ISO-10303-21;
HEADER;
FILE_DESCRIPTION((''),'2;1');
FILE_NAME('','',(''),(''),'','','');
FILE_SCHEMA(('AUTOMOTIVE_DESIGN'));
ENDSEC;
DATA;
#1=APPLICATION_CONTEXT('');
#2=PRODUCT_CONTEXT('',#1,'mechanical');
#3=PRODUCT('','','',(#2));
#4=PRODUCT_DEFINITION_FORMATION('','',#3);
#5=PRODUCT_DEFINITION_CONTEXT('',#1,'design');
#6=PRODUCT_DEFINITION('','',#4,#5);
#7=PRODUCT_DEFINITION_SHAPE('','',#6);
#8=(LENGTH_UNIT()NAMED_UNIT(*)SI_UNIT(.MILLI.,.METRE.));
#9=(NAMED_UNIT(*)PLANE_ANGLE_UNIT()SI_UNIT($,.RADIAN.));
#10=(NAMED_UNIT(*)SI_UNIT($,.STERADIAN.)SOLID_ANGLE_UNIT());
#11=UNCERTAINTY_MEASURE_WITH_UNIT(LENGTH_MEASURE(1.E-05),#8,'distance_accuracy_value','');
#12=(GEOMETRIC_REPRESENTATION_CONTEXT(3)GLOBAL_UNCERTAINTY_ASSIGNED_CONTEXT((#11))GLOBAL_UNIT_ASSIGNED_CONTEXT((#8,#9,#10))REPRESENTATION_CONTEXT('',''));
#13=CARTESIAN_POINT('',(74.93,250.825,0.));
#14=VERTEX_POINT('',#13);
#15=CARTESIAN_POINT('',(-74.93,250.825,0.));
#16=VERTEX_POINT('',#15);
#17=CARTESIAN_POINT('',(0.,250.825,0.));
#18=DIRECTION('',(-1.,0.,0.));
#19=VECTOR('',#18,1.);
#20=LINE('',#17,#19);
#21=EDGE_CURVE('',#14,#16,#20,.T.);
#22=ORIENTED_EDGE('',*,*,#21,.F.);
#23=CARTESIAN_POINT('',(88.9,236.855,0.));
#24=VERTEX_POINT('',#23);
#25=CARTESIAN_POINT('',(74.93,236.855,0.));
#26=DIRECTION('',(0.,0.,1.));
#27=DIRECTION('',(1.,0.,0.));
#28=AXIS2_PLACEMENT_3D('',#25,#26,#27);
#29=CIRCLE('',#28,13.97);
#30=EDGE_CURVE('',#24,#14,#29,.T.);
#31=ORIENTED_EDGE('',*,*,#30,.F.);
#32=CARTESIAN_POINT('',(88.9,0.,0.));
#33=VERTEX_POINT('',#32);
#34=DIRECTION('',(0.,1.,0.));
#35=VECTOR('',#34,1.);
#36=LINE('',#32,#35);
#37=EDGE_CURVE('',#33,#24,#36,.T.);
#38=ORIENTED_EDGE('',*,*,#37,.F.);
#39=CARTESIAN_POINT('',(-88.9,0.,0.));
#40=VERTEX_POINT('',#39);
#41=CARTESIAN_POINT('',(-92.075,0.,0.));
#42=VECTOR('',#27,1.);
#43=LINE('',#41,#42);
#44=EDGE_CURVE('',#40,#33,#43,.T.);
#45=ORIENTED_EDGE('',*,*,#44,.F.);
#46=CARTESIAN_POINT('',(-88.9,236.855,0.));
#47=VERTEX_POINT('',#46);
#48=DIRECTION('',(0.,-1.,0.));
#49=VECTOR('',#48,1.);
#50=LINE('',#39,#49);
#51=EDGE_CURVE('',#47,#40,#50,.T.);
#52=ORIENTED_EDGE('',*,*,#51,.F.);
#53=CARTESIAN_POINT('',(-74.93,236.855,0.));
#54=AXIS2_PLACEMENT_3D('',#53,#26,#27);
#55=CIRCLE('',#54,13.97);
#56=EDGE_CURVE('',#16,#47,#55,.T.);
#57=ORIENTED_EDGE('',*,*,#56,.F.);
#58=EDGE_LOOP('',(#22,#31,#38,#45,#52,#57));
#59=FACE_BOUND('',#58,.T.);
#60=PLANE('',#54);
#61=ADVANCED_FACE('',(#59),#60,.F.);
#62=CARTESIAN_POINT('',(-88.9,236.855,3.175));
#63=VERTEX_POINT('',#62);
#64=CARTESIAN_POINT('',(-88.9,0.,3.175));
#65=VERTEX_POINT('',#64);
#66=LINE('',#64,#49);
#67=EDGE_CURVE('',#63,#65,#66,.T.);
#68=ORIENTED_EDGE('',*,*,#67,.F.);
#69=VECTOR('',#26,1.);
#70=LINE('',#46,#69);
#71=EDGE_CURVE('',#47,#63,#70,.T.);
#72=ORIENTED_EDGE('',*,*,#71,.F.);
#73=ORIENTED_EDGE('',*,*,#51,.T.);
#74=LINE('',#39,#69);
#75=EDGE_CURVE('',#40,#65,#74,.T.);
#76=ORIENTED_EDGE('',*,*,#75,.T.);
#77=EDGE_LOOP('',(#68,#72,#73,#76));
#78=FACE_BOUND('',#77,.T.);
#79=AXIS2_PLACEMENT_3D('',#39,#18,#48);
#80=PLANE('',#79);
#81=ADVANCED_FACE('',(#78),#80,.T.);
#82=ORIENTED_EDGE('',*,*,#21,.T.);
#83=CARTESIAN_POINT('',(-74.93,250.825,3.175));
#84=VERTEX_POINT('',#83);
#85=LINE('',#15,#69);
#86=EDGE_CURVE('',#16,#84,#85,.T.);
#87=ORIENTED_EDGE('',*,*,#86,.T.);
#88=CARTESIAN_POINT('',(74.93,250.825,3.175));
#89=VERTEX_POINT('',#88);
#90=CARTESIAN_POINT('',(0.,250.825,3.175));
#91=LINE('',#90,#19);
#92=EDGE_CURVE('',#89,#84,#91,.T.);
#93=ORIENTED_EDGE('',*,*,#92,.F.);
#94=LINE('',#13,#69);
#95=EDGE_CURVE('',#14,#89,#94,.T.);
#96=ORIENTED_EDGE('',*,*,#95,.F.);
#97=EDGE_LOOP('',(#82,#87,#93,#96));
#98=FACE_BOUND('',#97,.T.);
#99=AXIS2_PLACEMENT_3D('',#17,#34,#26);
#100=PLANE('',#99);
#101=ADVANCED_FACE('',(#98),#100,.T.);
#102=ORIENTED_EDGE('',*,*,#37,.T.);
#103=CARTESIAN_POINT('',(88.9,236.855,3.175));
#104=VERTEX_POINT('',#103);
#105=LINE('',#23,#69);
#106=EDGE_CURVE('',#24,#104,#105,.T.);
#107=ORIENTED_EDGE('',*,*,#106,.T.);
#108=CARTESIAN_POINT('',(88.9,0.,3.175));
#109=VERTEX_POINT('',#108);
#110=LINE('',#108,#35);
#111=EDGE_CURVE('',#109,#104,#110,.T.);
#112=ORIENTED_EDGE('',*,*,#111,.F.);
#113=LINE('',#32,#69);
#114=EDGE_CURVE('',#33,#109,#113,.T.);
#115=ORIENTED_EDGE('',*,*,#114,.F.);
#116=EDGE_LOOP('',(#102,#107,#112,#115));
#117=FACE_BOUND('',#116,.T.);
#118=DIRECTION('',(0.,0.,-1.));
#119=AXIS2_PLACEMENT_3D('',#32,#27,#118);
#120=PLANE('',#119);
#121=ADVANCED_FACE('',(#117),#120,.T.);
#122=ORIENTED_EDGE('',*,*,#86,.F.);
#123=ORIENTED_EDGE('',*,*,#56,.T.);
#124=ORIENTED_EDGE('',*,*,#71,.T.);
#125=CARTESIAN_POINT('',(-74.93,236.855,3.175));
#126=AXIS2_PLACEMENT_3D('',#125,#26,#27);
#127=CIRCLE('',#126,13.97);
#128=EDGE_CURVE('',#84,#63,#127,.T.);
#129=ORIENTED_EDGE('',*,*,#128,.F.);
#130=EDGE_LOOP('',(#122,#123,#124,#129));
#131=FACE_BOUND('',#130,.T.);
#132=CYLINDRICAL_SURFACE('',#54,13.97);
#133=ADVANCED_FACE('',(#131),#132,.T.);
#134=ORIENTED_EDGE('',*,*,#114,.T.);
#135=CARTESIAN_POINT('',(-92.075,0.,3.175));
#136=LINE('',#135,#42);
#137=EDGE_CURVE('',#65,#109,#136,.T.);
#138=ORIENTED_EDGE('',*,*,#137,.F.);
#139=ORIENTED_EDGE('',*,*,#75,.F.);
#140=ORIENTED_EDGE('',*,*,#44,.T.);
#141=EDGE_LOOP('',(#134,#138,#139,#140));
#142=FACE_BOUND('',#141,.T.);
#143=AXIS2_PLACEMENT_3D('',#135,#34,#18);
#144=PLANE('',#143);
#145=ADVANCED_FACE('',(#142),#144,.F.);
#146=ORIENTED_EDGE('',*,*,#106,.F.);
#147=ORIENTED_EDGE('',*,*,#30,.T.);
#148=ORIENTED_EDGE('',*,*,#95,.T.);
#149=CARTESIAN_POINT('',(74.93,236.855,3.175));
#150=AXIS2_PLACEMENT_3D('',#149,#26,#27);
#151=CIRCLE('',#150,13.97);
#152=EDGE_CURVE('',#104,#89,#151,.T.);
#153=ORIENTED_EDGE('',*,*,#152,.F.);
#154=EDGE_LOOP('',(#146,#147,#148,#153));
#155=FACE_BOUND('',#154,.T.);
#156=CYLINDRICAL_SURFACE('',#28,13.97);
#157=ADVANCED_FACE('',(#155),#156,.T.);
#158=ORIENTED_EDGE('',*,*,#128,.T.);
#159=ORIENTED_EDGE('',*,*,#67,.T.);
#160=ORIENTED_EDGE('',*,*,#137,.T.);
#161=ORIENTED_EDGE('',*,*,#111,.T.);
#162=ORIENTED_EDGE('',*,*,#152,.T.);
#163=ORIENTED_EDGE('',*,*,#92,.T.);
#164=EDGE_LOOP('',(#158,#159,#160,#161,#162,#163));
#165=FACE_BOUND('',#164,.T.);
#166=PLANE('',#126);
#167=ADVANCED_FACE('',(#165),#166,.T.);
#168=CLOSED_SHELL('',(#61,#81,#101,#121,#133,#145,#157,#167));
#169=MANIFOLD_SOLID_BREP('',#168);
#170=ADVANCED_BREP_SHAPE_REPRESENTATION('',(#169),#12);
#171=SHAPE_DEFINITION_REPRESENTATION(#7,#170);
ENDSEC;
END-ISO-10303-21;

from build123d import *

# Parameters (mm, degrees)
BOSS_EXTRUDE1_DEPTH                 = 3.175
THICKNESS_REDUCTION_FOR_SIDES_DEPTH = 271.192313455


with BuildPart() as part:
    # Sketch2 → Boss-Extrude1 (new body)
    with BuildSketch(Plane.XY):
        with BuildLine():
            Line((-92.075, 0), (92.075, 0))
            Line((92.075, 0), (92.075, 236.855))
            ThreePointArc((92.075, 236.855), (87.053345763, 248.978345763), (74.93, 254))
            Line((74.93, 254), (-74.93, 254))
            ThreePointArc((-74.93, 254), (-87.053345763, 248.978345763), (-92.075, 236.855))
            Line((-92.075, 236.855), (-92.075, 0))
        make_face()
    extrude(amount=BOSS_EXTRUDE1_DEPTH)

    # Sketch4 → Thickness Reduction for sides (cut, through all)
    with BuildSketch(Plane.XY.offset(3.175)):
        with BuildLine():
            ThreePointArc((-74.93, 254), (-87.053345763, 248.978345763), (-92.075, 236.855))
            Line((-92.075, 236.855), (-92.075, 0))
            Line((-92.075, 0), (-88.9, 0))
            Line((-88.9, 0), (-88.9, 236.855))
            ThreePointArc((-88.9, 236.855), (-84.808281733, 246.733281733), (-74.93, 250.825))
            Line((-74.93, 250.825), (74.93, 250.825))
            ThreePointArc((74.93, 250.825), (84.808281733, 246.733281733), (88.9, 236.855))
            Line((88.9, 236.855), (88.9, 0))
            Line((88.9, 0), (92.075, 0))
            Line((92.075, 0), (92.075, 236.855))
            ThreePointArc((92.075, 236.855), (87.053345763, 248.978345763), (74.93, 254))
            Line((74.93, 254), (-74.93, 254))
        make_face()
    extrude(amount=-THICKNESS_REDUCTION_FOR_SIDES_DEPTH, mode=Mode.SUBTRACT)


solid = part.part
